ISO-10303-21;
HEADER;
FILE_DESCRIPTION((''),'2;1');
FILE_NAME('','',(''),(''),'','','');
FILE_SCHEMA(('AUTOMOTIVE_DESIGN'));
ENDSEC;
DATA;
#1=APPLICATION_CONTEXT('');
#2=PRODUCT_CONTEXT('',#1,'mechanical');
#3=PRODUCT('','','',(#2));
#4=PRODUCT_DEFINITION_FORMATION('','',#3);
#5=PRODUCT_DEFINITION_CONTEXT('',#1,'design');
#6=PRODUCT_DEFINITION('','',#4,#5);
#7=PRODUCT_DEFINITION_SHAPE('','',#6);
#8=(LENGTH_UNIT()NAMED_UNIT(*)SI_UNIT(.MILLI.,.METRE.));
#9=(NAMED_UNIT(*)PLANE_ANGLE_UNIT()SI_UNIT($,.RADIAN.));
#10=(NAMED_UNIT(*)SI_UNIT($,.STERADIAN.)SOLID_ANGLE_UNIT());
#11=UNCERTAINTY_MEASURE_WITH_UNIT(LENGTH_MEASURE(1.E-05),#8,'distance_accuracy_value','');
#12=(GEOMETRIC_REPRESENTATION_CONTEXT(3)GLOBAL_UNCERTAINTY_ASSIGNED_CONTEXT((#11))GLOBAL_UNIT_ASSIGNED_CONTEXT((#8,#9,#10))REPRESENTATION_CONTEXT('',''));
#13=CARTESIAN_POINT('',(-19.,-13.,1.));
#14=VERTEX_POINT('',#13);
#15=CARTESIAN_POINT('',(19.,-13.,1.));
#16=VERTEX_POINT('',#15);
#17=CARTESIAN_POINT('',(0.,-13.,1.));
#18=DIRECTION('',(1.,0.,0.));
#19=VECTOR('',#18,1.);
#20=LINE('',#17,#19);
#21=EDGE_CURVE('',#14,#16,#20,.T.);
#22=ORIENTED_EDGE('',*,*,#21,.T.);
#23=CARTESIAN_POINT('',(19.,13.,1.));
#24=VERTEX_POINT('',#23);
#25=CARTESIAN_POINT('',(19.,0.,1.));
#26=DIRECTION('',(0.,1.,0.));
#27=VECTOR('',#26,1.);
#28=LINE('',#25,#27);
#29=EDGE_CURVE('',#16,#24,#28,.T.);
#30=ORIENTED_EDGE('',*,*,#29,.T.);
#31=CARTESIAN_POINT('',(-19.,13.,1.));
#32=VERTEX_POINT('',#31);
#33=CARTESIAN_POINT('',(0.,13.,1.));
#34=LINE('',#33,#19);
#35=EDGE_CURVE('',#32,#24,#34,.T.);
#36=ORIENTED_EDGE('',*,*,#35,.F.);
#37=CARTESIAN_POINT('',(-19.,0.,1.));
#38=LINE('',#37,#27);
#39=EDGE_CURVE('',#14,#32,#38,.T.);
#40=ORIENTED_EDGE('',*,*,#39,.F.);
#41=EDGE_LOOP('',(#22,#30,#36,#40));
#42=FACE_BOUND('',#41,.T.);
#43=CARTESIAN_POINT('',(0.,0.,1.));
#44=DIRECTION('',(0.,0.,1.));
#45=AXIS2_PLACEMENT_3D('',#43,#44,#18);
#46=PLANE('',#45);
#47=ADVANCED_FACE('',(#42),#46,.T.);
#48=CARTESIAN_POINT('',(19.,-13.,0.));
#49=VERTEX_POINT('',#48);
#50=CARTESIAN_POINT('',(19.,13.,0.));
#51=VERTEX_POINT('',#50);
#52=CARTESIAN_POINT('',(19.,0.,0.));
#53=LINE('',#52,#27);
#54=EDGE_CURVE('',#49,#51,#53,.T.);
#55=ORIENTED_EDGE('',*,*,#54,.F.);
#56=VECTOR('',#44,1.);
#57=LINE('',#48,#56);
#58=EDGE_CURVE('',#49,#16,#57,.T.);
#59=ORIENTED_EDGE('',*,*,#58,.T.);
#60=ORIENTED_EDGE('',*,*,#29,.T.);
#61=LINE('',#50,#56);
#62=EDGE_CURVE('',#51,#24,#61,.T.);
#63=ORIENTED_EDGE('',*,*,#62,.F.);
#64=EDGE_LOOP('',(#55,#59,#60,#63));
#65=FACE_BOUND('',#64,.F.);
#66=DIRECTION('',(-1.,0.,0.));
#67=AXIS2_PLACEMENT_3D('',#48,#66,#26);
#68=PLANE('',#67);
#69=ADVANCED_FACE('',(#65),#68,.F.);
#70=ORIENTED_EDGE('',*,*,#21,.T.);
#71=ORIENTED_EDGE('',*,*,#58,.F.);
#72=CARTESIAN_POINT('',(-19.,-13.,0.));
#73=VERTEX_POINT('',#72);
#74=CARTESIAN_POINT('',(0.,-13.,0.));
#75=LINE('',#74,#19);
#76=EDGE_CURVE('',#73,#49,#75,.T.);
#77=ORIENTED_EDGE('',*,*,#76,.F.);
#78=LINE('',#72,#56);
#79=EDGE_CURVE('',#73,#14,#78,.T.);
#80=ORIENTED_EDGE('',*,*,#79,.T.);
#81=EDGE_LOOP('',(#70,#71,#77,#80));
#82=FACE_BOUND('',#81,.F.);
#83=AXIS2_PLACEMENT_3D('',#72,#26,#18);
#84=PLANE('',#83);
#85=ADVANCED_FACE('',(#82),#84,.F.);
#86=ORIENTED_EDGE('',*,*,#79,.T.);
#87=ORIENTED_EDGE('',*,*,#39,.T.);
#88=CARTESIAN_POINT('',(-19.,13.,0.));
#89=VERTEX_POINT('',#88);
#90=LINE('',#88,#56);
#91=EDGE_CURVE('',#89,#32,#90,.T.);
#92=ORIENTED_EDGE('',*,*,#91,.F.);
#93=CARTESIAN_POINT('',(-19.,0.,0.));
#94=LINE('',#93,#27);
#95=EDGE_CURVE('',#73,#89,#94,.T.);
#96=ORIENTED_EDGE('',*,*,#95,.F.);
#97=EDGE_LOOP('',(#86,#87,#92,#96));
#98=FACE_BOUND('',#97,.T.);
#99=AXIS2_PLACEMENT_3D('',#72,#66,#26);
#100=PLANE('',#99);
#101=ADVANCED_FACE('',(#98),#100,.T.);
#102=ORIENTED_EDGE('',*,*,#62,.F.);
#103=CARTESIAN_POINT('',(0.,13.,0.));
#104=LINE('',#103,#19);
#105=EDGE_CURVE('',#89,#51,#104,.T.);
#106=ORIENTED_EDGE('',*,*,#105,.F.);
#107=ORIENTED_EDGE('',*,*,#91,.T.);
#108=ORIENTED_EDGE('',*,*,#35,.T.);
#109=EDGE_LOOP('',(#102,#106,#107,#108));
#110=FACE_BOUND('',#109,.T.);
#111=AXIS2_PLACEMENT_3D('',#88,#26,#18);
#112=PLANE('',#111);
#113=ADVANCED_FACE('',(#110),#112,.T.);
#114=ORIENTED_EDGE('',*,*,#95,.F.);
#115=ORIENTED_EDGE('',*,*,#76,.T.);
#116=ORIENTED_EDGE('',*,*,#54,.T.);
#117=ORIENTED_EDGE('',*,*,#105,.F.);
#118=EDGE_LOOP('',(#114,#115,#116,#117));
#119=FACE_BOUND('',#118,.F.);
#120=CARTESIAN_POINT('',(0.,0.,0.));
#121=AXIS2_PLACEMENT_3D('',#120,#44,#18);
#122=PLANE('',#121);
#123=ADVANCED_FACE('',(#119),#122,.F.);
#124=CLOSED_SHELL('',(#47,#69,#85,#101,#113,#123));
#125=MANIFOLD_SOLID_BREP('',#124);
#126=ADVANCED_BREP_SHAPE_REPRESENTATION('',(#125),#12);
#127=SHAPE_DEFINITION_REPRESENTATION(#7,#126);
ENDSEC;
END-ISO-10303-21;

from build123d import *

# Parameters (mm, degrees)
SKETCH1_W           = 38
SKETCH1_H           = 26
BOSS_EXTRUDE1_DEPTH = 1


with BuildPart() as part:
    # Sketch1 → Boss-Extrude1 (new body)
    with BuildSketch(Plane.XY):
        Rectangle(SKETCH1_W, SKETCH1_H)
    extrude(amount=BOSS_EXTRUDE1_DEPTH)


solid = part.part
